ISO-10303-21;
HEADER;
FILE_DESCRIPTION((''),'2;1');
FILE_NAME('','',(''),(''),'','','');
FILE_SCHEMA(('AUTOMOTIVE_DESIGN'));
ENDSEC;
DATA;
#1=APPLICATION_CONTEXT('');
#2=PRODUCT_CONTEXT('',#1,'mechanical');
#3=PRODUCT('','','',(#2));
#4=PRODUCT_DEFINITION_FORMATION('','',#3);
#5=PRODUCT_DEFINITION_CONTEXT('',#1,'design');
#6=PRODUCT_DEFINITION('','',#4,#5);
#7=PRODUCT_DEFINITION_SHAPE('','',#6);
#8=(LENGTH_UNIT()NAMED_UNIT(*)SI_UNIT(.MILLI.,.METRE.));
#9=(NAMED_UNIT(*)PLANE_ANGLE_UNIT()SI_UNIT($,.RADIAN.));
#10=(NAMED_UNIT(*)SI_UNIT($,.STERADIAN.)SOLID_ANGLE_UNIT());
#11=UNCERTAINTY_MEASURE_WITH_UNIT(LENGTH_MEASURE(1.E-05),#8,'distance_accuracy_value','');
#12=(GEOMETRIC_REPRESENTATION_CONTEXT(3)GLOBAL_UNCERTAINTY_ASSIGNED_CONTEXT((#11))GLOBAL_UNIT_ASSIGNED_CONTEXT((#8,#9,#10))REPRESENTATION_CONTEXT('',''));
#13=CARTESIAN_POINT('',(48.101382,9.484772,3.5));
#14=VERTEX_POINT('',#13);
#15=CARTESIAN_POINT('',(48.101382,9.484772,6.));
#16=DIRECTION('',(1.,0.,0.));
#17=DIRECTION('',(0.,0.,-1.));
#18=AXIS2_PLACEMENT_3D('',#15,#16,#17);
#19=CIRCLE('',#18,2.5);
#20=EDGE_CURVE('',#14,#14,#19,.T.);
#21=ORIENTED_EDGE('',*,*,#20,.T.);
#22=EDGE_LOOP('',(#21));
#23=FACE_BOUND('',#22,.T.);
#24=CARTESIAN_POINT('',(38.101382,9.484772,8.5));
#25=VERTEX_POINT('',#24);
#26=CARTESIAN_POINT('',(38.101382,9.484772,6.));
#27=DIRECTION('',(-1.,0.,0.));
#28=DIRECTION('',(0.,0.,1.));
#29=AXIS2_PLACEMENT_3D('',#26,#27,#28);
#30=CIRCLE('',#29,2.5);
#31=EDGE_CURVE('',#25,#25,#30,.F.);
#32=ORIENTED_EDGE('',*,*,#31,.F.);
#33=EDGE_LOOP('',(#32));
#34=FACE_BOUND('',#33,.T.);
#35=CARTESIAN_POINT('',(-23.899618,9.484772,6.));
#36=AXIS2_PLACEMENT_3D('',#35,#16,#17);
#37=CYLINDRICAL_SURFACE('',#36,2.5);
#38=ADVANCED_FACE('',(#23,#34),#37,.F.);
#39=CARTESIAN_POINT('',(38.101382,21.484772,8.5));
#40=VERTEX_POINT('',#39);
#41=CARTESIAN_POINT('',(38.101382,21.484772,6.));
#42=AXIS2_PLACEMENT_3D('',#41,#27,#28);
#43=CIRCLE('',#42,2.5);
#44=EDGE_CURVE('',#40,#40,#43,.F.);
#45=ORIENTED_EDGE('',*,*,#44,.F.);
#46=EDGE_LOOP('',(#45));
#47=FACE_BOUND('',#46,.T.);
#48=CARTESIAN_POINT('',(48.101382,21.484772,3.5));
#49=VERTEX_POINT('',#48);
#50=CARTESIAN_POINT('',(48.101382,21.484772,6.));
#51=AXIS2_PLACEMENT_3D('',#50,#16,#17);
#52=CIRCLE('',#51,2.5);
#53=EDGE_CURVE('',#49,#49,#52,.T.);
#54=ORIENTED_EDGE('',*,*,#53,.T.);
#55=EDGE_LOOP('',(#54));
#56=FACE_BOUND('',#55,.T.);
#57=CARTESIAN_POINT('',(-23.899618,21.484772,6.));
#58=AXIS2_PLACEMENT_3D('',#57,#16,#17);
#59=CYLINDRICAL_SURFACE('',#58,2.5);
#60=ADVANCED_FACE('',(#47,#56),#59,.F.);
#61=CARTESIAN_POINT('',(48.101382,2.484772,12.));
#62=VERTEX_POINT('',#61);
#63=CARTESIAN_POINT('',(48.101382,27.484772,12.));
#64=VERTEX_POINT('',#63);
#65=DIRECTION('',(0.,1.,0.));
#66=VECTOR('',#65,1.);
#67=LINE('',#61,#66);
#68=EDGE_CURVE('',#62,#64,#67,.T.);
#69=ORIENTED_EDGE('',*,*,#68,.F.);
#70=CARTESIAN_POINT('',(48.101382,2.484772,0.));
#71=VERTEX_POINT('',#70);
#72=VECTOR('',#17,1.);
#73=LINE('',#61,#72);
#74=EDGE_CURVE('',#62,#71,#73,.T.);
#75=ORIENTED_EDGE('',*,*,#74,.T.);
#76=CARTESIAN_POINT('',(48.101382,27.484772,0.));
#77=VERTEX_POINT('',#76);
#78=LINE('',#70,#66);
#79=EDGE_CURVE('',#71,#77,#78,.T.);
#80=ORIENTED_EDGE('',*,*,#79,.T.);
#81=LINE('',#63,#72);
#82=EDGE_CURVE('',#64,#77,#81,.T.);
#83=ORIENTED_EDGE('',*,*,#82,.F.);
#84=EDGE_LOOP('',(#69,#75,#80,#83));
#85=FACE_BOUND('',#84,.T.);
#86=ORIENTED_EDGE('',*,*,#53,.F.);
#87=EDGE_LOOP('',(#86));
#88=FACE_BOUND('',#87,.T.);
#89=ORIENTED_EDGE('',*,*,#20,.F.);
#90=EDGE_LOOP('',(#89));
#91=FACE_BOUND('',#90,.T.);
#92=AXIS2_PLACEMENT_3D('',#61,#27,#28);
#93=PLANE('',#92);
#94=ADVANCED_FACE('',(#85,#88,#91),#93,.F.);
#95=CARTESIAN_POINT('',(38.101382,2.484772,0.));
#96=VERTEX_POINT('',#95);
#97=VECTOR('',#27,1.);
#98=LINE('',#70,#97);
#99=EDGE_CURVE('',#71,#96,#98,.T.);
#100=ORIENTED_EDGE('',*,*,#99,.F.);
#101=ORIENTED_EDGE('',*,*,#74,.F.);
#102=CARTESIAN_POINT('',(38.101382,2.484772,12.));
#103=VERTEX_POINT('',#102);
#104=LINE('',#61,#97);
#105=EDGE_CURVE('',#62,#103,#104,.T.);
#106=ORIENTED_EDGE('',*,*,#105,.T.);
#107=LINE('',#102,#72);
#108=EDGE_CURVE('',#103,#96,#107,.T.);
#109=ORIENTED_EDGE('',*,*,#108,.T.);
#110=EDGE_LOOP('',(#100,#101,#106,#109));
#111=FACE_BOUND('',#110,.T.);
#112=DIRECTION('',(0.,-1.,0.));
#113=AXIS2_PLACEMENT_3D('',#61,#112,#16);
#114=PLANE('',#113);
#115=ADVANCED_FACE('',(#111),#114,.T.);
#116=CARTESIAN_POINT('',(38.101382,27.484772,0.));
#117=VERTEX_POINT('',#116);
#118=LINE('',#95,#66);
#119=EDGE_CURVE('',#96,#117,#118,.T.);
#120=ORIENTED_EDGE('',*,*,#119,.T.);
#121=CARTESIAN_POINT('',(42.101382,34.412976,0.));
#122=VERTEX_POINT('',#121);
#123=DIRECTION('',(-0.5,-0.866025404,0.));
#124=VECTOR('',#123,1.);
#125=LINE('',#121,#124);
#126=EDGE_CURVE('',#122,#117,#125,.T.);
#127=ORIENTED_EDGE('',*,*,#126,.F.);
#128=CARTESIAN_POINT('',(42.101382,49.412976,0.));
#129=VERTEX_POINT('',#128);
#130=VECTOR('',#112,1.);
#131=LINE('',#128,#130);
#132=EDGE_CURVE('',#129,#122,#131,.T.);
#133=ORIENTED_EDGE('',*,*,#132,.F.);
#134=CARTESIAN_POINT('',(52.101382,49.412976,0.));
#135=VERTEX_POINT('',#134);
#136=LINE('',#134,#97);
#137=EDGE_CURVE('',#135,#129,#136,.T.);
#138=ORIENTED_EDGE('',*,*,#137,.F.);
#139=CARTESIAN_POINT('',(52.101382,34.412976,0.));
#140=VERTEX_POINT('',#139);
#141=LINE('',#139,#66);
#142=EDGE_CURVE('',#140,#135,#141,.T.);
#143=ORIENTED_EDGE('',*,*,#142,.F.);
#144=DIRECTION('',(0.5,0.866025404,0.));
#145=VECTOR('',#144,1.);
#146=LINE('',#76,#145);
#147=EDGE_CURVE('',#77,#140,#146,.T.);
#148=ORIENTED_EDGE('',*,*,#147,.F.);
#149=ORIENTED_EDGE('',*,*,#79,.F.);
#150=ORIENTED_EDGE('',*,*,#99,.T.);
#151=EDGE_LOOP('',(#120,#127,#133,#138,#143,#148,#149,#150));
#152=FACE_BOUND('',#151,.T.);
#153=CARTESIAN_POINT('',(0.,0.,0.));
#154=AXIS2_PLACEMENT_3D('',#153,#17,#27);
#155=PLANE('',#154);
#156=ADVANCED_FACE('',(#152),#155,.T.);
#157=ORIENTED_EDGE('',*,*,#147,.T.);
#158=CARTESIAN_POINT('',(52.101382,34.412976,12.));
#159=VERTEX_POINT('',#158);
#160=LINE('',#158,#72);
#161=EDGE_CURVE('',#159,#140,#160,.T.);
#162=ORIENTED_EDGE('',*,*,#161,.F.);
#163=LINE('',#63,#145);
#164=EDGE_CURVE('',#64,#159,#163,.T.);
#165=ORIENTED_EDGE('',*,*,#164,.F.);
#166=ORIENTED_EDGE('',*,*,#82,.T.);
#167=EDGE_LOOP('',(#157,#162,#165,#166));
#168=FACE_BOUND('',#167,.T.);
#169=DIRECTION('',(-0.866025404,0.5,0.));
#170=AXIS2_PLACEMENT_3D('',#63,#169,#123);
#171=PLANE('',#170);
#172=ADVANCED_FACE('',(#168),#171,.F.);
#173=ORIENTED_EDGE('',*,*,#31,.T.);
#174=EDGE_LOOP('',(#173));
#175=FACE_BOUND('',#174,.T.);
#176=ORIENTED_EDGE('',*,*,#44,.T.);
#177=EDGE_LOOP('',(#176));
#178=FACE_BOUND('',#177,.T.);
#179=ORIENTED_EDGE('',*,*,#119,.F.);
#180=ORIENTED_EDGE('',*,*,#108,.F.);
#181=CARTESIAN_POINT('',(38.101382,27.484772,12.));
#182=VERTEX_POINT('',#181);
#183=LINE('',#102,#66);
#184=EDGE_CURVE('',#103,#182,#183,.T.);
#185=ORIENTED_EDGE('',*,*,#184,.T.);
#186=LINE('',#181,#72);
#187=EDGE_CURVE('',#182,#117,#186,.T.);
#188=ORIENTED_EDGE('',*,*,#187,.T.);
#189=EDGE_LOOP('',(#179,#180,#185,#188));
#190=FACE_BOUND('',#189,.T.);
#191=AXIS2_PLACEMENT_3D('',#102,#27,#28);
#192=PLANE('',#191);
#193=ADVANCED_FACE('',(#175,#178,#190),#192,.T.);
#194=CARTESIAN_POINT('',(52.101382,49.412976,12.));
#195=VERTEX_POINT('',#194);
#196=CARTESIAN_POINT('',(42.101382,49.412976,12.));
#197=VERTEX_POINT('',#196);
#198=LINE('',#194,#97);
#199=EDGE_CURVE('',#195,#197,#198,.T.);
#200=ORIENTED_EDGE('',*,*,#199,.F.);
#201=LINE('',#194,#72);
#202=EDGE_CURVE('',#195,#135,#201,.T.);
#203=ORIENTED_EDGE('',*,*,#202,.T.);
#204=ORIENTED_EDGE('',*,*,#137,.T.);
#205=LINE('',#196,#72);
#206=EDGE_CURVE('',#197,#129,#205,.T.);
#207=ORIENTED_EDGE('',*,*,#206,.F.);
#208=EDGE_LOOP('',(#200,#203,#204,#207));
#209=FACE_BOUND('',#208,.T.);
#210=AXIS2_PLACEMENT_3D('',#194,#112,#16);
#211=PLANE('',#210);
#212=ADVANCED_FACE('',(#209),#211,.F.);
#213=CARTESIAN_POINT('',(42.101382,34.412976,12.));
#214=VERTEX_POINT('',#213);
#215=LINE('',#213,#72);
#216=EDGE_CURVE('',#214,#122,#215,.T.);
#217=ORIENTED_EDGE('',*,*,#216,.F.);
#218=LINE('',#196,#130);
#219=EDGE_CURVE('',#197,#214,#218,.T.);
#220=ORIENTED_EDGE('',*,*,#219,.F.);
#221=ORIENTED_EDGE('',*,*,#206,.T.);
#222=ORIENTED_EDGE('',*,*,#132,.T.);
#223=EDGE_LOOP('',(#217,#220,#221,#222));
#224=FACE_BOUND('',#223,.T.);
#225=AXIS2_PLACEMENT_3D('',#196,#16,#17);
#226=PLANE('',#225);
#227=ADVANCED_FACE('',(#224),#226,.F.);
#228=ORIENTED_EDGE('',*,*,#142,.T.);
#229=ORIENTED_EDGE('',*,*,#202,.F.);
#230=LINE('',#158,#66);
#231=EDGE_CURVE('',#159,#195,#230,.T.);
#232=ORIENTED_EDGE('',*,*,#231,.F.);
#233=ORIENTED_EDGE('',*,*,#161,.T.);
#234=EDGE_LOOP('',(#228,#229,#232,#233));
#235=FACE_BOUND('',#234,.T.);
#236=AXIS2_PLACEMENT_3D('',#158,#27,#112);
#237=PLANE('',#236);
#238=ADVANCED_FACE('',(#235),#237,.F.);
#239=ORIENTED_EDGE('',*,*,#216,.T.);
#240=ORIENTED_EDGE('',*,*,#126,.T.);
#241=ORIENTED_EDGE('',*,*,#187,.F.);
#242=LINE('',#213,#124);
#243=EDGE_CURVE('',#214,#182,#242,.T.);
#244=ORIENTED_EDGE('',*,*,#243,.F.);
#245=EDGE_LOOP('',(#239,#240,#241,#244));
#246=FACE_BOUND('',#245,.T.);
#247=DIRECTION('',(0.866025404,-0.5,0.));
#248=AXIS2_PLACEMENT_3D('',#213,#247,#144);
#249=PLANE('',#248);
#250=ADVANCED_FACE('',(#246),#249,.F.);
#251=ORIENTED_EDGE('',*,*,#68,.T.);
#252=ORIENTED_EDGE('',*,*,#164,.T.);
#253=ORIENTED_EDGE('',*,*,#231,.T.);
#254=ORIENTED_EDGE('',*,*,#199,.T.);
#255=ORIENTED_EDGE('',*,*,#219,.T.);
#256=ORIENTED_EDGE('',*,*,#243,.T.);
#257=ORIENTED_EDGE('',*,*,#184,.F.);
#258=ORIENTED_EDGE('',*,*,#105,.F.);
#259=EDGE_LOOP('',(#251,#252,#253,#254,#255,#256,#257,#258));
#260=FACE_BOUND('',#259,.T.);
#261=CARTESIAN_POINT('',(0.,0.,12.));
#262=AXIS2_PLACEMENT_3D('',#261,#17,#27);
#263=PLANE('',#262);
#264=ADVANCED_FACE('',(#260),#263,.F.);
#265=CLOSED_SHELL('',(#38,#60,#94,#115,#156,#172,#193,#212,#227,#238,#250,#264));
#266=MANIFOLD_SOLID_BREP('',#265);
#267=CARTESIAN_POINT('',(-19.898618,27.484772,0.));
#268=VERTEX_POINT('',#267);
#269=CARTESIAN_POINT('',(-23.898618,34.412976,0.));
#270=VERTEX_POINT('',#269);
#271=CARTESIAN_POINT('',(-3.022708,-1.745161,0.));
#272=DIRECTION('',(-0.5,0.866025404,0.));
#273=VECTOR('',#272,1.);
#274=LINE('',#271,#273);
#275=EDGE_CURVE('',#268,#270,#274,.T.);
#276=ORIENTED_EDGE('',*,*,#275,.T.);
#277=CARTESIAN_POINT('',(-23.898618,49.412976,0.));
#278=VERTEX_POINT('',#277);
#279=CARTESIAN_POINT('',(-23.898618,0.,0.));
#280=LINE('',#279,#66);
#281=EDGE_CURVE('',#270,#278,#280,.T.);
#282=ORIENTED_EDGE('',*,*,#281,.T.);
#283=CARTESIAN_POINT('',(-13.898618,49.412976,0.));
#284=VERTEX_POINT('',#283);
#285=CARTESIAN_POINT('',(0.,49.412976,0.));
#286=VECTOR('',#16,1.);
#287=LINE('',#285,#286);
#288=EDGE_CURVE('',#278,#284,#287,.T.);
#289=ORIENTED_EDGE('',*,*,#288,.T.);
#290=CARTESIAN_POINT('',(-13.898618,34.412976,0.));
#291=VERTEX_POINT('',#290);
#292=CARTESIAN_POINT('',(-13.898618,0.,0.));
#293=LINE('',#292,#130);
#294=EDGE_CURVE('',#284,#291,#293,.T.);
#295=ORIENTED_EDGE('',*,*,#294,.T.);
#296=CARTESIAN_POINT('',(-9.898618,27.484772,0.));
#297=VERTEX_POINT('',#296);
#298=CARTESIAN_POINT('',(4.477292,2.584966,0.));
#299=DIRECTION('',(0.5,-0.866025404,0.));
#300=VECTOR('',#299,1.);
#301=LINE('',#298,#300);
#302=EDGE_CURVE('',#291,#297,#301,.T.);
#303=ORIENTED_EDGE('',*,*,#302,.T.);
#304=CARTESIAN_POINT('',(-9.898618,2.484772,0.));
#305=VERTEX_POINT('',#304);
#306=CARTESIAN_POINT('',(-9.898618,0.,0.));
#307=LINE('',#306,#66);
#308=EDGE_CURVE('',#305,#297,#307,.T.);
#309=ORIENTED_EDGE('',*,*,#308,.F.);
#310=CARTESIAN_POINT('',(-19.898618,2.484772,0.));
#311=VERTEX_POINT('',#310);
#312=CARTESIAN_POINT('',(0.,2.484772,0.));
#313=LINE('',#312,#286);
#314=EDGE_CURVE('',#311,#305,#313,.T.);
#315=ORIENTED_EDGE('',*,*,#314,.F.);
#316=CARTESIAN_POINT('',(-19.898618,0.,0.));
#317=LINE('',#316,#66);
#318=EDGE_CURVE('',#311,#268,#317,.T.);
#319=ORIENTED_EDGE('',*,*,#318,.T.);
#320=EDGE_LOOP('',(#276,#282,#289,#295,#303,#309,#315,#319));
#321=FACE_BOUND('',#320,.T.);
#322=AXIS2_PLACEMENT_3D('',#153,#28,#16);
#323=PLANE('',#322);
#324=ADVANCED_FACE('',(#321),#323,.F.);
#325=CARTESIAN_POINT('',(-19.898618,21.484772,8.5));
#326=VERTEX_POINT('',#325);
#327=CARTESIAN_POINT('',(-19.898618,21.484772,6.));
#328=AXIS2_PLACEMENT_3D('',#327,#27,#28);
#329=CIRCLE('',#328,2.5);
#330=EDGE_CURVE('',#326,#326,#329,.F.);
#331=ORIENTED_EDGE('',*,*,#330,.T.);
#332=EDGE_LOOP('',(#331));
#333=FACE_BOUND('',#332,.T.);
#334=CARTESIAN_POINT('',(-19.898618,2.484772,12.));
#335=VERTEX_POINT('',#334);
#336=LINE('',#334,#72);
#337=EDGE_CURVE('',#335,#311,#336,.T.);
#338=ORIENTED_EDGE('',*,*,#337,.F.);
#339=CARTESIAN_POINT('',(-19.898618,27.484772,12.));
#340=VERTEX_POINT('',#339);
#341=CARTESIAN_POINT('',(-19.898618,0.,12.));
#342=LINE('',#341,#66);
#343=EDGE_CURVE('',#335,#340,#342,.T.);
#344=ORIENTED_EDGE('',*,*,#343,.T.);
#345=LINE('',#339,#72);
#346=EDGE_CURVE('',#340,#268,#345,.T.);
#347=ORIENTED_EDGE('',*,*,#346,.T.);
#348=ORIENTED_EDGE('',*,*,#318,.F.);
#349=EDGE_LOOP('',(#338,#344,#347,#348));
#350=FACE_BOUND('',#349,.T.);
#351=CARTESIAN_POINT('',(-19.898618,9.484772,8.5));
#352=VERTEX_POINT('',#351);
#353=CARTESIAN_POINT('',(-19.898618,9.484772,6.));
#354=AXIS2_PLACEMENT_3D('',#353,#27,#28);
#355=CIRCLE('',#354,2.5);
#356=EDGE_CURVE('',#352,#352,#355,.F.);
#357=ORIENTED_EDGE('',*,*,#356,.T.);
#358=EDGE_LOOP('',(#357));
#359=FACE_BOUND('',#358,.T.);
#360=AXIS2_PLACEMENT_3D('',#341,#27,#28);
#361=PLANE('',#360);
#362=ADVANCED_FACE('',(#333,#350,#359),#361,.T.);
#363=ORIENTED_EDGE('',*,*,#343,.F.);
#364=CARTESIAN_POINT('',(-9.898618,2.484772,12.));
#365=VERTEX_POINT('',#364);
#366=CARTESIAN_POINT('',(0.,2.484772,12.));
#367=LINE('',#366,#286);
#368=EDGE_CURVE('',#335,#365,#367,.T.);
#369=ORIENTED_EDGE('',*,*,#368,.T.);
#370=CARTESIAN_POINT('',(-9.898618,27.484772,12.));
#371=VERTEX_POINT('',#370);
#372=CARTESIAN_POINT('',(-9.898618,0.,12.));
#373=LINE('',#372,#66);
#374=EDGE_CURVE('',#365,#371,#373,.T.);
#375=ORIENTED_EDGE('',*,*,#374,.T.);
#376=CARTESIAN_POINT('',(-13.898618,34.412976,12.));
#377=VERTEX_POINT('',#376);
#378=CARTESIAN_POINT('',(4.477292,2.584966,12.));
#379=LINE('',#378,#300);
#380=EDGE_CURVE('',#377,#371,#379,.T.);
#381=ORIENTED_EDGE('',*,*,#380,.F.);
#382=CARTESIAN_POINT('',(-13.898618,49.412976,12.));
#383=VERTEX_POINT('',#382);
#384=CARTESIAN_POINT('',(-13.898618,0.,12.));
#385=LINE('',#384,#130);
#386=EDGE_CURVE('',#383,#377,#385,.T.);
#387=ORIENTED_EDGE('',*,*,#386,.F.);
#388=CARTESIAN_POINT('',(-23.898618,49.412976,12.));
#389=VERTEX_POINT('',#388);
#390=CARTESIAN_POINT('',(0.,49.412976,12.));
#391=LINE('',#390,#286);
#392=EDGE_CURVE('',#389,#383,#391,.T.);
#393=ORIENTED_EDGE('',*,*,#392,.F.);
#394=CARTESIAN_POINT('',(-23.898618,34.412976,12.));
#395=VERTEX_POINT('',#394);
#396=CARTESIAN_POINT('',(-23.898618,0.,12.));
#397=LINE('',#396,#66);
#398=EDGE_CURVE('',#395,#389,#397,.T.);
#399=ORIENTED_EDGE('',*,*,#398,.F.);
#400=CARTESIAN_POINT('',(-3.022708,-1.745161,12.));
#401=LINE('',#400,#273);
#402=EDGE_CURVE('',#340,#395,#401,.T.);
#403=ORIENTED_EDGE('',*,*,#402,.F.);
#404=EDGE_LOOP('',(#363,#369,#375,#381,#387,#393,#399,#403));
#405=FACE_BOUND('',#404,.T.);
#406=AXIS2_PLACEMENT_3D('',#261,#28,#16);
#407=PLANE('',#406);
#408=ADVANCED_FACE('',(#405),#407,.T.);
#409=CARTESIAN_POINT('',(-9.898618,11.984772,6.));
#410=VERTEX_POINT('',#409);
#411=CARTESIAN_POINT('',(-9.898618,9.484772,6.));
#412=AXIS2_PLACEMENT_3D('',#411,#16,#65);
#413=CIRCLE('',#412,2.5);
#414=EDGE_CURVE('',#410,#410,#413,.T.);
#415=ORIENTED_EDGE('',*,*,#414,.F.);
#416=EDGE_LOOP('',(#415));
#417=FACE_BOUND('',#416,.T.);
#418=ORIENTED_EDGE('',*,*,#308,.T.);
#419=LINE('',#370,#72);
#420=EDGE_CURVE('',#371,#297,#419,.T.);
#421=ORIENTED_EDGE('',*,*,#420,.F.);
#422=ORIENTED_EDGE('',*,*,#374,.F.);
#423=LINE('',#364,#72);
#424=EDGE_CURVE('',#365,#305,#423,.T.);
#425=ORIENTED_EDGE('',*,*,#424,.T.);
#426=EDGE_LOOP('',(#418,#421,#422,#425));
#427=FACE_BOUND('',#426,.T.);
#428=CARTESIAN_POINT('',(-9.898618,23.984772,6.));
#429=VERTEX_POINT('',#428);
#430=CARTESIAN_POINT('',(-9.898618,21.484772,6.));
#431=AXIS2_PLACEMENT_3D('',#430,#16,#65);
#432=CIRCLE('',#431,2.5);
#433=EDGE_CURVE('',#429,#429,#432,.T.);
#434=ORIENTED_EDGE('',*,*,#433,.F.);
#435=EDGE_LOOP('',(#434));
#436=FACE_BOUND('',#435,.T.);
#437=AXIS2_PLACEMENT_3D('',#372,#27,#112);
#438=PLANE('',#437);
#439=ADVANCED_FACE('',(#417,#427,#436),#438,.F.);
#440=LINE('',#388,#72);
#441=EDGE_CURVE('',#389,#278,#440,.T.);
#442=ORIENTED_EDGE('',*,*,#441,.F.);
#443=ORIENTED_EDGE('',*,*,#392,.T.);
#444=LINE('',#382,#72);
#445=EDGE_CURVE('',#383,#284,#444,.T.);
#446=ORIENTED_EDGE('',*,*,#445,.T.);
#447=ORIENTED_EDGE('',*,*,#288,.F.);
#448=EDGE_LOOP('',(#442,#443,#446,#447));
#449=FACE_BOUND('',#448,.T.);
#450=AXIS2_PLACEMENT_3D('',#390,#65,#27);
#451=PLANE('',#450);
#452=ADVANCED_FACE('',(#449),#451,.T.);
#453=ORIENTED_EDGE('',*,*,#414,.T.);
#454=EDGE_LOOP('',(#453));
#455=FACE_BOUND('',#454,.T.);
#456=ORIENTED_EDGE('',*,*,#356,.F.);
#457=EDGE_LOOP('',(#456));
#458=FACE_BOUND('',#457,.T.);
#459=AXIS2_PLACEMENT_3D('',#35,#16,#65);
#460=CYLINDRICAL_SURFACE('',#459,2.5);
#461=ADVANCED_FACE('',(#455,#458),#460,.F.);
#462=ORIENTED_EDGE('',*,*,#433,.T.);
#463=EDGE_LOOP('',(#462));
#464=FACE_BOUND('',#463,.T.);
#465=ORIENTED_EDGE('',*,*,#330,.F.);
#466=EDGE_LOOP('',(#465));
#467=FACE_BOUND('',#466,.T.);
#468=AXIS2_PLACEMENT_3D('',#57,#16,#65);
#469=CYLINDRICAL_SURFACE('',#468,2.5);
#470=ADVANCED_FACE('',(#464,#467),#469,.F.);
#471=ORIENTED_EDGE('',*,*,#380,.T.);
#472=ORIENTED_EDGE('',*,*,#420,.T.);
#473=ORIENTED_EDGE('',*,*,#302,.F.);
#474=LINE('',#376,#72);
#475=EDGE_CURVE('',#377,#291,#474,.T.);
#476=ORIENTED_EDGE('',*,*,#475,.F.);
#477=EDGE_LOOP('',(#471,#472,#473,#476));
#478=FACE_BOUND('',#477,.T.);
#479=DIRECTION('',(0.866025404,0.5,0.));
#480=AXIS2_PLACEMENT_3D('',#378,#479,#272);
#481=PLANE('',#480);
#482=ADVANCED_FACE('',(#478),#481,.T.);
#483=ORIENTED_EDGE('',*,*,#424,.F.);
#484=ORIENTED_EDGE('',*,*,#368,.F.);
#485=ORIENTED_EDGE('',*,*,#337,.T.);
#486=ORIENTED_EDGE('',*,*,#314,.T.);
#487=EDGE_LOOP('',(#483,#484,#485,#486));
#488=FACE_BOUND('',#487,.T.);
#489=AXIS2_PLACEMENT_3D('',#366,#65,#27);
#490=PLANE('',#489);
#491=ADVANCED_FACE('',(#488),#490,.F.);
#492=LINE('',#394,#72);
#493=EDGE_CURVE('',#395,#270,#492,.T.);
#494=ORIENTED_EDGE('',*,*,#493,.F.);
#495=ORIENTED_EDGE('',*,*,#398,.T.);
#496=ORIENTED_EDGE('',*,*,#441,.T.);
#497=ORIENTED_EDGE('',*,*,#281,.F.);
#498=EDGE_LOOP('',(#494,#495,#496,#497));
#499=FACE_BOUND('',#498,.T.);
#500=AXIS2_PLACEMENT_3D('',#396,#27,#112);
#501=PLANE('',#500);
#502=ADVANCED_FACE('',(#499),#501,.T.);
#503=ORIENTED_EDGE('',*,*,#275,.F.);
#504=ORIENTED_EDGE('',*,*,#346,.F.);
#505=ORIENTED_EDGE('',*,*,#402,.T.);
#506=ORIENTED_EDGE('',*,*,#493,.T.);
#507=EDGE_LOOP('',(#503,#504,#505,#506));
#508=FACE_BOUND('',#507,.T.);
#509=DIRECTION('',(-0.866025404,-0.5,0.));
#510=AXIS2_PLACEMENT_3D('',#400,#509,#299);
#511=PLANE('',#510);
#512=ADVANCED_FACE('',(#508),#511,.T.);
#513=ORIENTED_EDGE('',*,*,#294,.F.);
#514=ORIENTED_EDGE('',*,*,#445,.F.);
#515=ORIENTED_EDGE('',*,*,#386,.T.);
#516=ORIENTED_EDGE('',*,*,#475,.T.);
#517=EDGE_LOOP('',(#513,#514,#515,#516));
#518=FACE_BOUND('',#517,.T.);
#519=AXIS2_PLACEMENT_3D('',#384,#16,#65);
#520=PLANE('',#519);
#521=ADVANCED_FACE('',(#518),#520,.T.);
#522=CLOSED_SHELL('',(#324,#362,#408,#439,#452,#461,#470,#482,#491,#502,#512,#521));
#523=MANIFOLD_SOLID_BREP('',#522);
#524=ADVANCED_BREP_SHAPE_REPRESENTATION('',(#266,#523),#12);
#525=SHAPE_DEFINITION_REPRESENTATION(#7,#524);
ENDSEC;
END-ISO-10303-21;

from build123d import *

# Parameters (mm, degrees)
EXTRUDE_1_DEPTH     = 12
EXTRUDE_2_DEPTH     = 12
SKETCH_3_R          = 2.5
CUT_EXTRUDE_1_DEPTH = 10
SKETCH_3_3_R        = 2.5
CUT_EXTRUDE_2_DEPTH = 10
SKETCH_6_R          = 2.5
CUT_EXTRUDE_3_DEPTH = 10


with BuildPart() as part:
    # 草图1 → 凸台-拉伸1 (new body)
    with BuildSketch(Plane.XY):
        Polygon((42.101381637, 34.412975584), (38.101381637, 27.484772353), (38.101381637, 2.484772353), (48.101381637, 2.484772353), (48.101381637, 27.484772353), (52.101381637, 34.412975584), (52.101381637, 49.412975584), (42.101381637, 49.412975584), align=None)
    extrude(amount=EXTRUDE_1_DEPTH)

    # 草图6 → 切除-拉伸3 (cut)
    with BuildSketch(Plane(origin=(48.101381637, 0, 0), x_dir=(0, 0, -1), z_dir=(1, 0, 0))):
        with Locations(Location((-6, 21.484772353, 0), (0, 0, 90))):
            Circle(SKETCH_6_R)
        with Locations(Location((-6, 9.484772353, 0), (0, 0, 90))):
            Circle(SKETCH_6_R)
    extrude(amount=-CUT_EXTRUDE_3_DEPTH, mode=Mode.SUBTRACT)


with BuildPart() as body_2:
    # 草图1<3> → 凸台-拉伸2 (new body)
    with BuildSketch(Plane.XY):
        Polygon((-13.898618363, 34.412975584), (-9.898618363, 27.484772353), (-9.898618363, 2.484772353), (-19.898618363, 2.484772353), (-19.898618363, 27.484772353), (-23.898618363, 34.412975584), (-23.898618363, 49.412975584), (-13.898618363, 49.412975584), align=None)
    extrude(amount=EXTRUDE_2_DEPTH)

    # 草图3 → 切除-拉伸1 (cut)
    with BuildSketch(Plane(origin=(-9.898618363, 0, 0), x_dir=(0, 0, -1), z_dir=(1, 0, 0))):
        with Locations(Location((-6, 21.484772353, 0), (0, 0, 90))):
            Circle(SKETCH_3_R)
    extrude(amount=-CUT_EXTRUDE_1_DEPTH, mode=Mode.SUBTRACT)

    # 草图3<3> → 切除-拉伸2 (cut)
    with BuildSketch(Plane(origin=(-9.898618363, 0, 0), x_dir=(0, 0, -1), z_dir=(1, 0, 0))):
        with Locations(Location((-6, 9.484772353, 0), (0, 0, 90))):
            Circle(SKETCH_3_3_R)
    extrude(amount=-CUT_EXTRUDE_2_DEPTH, mode=Mode.SUBTRACT)


solid = Compound([part.part, body_2.part])
